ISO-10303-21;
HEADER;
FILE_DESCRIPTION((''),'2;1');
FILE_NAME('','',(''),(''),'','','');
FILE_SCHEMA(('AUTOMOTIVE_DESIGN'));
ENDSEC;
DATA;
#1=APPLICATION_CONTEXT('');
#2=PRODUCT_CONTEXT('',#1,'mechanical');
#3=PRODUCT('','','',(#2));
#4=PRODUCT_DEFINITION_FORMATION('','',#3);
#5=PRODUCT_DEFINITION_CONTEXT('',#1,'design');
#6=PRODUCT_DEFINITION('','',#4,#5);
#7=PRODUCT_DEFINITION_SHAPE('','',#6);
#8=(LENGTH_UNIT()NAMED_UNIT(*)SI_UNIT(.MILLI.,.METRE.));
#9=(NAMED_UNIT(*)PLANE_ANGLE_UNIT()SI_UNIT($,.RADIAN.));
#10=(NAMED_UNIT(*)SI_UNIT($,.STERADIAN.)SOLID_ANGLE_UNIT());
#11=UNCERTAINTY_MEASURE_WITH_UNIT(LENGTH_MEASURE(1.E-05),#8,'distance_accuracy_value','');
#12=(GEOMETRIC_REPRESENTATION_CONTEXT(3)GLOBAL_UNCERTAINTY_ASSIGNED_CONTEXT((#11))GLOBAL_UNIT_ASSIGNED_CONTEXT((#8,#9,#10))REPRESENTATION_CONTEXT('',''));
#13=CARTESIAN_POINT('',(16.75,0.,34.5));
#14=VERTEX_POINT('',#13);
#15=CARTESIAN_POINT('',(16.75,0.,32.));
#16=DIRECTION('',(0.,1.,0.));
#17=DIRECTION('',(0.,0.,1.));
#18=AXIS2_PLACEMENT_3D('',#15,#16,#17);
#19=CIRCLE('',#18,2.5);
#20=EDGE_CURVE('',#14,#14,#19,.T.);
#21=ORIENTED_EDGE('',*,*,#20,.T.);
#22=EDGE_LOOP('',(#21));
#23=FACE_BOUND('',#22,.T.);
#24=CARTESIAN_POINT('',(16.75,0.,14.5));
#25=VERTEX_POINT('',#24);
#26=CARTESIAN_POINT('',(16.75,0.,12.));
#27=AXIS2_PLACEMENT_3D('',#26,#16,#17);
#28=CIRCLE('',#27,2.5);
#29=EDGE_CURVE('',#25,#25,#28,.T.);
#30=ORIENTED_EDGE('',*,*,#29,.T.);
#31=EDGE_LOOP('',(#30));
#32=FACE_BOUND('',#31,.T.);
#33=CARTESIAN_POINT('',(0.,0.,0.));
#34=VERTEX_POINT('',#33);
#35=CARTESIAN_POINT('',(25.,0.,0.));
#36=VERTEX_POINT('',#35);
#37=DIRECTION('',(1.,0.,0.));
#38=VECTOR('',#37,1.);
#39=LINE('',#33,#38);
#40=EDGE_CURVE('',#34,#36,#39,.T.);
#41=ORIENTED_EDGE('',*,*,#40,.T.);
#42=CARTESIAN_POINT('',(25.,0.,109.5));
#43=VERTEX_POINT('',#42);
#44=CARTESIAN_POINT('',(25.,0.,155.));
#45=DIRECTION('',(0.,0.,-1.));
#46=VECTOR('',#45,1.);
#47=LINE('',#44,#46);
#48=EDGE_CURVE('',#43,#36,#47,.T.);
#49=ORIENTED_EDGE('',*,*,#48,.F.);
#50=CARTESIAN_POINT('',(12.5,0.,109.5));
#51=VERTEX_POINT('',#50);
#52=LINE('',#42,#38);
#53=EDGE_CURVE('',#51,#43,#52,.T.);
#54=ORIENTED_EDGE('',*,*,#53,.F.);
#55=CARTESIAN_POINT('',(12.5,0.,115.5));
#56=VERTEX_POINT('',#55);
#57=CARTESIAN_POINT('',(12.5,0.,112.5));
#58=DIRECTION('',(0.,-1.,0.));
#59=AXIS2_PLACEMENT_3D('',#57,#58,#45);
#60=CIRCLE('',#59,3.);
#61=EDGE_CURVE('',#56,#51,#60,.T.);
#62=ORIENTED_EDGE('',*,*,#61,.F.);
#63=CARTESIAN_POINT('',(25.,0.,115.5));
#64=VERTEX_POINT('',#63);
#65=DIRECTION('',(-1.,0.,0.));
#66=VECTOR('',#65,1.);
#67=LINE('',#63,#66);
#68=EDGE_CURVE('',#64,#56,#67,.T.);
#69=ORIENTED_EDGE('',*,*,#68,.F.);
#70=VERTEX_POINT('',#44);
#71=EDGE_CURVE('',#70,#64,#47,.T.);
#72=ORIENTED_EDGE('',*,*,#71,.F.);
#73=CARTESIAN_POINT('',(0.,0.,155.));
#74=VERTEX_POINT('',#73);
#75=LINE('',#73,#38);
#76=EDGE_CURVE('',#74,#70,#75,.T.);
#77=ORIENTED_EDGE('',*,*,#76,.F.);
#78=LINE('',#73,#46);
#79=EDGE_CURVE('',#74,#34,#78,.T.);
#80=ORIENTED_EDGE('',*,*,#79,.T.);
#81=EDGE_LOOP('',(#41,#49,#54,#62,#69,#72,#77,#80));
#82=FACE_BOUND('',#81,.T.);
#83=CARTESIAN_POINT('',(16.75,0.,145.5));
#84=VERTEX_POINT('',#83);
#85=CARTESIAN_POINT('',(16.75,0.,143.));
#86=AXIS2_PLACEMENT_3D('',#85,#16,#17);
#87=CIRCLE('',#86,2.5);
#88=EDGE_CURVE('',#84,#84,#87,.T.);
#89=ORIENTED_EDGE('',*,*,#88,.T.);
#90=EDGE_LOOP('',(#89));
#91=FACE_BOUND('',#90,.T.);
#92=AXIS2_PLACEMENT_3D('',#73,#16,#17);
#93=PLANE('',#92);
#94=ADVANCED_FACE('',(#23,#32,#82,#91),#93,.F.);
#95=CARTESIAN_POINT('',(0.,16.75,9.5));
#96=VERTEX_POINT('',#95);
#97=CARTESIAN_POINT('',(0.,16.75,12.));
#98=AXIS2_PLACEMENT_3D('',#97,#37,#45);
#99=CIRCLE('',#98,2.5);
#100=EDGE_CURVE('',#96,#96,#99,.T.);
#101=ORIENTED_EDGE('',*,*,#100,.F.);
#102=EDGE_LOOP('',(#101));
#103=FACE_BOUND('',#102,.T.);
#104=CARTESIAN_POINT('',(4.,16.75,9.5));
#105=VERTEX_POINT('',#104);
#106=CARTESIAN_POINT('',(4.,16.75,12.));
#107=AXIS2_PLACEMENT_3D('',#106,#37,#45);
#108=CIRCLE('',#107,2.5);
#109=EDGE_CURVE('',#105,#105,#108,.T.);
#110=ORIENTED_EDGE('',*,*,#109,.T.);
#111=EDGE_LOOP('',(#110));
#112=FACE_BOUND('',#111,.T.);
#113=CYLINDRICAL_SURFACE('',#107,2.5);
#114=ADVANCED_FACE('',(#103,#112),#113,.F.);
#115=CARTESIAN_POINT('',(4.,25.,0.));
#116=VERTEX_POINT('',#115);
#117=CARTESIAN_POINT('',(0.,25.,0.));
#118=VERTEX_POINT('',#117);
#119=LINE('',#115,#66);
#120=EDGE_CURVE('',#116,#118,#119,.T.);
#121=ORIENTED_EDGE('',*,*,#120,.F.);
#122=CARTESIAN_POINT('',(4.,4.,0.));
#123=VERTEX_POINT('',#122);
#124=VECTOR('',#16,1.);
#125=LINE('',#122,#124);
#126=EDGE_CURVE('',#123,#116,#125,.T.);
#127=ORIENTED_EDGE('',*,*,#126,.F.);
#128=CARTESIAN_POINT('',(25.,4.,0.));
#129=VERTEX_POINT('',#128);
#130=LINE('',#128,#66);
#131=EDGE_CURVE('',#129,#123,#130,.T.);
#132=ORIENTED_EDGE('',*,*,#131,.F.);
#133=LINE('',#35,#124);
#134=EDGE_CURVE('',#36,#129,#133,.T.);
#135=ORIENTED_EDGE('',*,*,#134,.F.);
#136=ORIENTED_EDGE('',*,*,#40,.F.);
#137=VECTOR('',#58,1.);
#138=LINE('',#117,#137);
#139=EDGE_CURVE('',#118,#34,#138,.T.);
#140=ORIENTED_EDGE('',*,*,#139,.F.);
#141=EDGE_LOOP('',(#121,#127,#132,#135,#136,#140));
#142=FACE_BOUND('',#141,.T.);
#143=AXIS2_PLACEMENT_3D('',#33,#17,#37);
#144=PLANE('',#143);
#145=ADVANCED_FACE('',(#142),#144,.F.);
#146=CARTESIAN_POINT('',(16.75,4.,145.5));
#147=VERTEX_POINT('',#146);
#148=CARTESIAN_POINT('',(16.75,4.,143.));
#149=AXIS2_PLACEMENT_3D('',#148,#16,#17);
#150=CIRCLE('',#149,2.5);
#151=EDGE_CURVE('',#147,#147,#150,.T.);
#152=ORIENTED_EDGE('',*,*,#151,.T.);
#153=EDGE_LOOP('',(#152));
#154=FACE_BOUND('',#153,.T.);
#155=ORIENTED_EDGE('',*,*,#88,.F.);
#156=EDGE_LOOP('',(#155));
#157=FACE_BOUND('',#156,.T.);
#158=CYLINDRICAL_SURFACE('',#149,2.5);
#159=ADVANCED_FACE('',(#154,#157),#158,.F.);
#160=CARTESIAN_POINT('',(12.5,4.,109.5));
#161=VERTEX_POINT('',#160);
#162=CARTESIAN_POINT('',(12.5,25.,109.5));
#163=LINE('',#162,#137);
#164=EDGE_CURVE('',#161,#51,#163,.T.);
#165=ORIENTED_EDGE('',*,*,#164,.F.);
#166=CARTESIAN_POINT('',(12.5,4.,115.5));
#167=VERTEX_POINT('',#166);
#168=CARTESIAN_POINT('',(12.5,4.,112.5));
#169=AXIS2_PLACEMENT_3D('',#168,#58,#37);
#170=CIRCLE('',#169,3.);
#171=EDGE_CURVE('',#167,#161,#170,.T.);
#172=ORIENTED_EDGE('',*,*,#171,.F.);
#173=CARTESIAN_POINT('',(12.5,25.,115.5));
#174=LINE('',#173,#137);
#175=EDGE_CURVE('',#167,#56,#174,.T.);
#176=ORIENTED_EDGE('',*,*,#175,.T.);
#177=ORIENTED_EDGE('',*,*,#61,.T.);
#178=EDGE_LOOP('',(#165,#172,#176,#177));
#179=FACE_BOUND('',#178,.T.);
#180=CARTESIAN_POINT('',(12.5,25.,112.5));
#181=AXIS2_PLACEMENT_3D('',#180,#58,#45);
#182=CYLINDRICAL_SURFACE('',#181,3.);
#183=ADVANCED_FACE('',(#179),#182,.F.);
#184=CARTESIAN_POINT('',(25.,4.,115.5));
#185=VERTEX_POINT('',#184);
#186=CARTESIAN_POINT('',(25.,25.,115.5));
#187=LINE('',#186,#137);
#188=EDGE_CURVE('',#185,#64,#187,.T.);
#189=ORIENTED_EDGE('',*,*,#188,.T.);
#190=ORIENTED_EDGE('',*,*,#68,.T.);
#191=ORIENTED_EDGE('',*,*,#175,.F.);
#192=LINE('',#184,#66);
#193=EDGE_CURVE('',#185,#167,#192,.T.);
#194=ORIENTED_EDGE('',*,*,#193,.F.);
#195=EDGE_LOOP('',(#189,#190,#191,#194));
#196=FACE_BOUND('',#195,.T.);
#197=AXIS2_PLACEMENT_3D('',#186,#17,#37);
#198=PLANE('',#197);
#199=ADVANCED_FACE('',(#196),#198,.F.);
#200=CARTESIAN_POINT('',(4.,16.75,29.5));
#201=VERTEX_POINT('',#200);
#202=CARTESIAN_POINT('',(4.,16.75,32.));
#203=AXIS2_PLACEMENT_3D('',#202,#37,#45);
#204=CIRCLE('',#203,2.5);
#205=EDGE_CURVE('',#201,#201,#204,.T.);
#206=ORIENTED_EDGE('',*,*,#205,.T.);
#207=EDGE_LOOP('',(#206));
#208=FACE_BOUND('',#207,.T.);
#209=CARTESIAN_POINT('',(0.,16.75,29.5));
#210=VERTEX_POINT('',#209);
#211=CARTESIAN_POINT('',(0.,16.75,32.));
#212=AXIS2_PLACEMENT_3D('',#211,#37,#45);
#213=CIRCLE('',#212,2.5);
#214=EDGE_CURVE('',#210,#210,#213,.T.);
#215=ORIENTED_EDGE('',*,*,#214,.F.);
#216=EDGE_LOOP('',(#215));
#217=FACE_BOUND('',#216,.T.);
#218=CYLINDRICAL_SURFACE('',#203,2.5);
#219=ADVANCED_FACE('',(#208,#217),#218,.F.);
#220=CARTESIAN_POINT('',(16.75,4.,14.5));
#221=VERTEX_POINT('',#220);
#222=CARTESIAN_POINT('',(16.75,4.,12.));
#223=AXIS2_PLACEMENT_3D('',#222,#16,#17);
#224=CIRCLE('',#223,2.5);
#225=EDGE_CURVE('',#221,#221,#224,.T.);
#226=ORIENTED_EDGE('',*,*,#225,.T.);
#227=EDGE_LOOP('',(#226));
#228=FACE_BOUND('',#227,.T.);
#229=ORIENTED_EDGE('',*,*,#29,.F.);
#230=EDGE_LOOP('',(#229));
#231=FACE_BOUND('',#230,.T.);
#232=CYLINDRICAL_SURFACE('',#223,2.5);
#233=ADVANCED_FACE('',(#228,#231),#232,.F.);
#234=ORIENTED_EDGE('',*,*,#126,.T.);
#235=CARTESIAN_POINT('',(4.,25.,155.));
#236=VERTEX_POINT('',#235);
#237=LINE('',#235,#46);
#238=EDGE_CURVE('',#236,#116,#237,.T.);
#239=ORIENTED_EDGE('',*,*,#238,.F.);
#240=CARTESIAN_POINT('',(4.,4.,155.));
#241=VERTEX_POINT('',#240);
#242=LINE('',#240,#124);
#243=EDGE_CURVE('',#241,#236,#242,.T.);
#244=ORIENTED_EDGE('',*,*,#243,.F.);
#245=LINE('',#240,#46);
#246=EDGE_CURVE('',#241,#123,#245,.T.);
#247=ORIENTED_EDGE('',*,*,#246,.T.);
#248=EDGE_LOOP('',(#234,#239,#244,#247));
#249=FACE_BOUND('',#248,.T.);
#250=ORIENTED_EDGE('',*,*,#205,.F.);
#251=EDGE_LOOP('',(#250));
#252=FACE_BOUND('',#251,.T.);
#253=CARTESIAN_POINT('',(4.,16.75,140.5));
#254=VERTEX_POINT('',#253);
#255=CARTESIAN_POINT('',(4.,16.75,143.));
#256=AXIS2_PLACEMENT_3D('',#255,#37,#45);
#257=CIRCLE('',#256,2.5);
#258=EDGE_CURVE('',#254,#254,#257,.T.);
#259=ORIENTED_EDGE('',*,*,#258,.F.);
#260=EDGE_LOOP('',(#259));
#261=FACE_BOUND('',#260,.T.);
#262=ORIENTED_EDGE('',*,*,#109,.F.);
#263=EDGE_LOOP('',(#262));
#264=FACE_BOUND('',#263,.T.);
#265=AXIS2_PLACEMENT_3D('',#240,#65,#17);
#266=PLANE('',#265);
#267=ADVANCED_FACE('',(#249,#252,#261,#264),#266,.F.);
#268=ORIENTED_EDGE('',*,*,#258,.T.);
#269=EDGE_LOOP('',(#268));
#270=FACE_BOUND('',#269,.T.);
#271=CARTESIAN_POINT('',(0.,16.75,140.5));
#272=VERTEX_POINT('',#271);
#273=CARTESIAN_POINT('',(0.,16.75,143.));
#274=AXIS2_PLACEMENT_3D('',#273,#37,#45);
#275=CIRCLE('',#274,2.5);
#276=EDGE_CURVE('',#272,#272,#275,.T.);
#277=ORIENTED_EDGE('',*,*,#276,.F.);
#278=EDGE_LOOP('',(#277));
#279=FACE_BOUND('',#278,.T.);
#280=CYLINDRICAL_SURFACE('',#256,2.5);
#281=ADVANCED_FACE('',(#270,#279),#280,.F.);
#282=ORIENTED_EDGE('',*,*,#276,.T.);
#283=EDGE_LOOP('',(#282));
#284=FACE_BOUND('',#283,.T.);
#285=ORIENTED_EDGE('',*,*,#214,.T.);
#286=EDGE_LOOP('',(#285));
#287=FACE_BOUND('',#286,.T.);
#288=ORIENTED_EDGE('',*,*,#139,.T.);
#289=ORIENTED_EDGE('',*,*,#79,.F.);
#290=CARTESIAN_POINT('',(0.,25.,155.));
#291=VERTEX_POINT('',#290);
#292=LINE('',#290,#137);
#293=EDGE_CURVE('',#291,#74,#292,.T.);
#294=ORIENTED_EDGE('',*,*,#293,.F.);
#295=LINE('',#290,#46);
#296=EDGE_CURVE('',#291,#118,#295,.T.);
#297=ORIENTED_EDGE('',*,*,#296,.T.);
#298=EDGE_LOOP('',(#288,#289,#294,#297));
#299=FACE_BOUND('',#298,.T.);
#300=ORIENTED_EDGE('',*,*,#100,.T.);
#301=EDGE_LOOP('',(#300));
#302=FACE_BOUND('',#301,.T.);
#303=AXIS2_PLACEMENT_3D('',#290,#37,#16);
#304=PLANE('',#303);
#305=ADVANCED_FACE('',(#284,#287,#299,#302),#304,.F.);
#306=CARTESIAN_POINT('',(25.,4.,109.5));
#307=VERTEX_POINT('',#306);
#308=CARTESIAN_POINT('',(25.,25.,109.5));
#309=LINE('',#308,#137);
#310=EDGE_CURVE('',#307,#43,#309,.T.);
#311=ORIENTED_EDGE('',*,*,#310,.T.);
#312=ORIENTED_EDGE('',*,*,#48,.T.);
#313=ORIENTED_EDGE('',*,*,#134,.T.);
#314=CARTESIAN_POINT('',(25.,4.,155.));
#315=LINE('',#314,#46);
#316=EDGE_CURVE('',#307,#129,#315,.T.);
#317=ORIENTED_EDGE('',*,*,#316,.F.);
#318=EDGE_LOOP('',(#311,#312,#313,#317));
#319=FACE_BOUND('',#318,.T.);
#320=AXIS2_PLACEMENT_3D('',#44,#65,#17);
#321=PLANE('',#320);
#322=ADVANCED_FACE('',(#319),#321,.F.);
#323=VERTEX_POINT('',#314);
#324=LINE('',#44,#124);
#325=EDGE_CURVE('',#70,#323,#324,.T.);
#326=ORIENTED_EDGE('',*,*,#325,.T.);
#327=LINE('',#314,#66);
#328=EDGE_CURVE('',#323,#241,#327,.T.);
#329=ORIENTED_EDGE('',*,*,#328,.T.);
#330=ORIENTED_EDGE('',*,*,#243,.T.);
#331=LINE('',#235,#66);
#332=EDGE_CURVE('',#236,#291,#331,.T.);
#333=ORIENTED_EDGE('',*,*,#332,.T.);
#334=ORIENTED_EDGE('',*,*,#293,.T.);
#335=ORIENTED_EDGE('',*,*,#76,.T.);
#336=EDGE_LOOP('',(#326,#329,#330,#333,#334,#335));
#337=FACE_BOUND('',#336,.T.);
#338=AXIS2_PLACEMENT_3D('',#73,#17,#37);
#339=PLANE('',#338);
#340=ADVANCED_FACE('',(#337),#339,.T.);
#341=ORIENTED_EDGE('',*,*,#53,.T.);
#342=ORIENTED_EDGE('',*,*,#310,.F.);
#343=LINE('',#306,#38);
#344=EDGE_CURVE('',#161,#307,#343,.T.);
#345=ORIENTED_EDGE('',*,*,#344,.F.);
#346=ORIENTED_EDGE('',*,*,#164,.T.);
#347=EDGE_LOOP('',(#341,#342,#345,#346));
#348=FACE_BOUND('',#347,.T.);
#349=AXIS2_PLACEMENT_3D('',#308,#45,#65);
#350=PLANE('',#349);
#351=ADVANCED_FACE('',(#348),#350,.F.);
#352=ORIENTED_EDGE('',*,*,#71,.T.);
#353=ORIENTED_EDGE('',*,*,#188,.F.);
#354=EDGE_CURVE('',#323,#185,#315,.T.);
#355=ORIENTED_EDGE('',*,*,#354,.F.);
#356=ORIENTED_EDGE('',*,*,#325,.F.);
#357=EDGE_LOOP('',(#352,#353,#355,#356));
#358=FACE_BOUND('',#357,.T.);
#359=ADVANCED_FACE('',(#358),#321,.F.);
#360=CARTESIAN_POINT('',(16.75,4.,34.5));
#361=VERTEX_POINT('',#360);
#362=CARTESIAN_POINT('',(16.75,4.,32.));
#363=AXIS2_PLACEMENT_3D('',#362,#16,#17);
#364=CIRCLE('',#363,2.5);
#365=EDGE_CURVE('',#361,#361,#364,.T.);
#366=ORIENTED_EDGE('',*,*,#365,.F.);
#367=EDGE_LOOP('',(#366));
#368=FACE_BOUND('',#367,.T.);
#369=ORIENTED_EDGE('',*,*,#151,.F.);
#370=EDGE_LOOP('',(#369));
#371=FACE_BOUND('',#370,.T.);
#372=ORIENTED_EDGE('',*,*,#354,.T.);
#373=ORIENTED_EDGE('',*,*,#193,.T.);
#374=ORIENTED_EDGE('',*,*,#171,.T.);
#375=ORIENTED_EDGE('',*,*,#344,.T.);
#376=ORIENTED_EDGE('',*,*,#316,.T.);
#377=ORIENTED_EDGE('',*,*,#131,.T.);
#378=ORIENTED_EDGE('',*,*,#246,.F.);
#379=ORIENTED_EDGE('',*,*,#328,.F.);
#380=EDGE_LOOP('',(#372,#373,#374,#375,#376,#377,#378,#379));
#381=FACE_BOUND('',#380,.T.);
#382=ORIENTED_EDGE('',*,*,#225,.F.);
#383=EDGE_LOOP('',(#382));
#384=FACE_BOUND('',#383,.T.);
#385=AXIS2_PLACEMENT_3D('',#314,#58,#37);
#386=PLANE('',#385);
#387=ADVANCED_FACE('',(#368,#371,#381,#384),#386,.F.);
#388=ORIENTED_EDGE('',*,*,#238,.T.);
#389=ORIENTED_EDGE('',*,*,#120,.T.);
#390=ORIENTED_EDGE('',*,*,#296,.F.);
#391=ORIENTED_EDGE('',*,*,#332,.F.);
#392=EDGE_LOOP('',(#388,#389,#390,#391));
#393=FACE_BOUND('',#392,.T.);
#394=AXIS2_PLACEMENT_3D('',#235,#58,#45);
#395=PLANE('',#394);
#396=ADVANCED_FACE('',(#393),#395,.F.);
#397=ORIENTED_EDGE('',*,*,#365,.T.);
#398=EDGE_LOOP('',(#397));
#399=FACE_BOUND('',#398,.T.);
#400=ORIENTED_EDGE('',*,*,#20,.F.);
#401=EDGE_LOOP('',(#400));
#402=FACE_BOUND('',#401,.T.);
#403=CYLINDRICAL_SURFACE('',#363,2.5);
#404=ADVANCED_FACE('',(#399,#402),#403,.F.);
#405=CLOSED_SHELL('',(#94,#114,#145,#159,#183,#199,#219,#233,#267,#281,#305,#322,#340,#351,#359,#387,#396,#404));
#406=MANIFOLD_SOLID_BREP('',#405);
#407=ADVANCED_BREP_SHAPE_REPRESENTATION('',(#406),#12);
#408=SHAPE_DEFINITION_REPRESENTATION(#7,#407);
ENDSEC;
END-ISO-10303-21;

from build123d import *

# Parameters (mm, degrees)
EXTRUDE_1_DEPTH     = 155
HOLE_WIZARD_M6_1_D  = 5
HOLE_WIZARD_M6_2_D  = 5
CUT_EXTRUDE_1_DEPTH = 159.981130956


with BuildPart() as part:
    # 草图1 → 凸台-拉伸1 (new body)
    with BuildSketch(Plane.XY):
        Polygon((0, 25), (0, 0), (25, 0), (25, 4), (4, 4), (4, 25), align=None)
    extrude(amount=EXTRUDE_1_DEPTH)

    # M6 螺纹孔1 (through all)
    with Locations(Plane(origin=(0, 4, 0), x_dir=(1, 0, 0), z_dir=(0, 1, 0))):
        with Locations((16.75, -12), (16.75, -143), (16.75, -32)):
            Hole(HOLE_WIZARD_M6_1_D / 2)

    # M6 螺纹孔2 (through all)
    with Locations(Plane(origin=(4, 0, 0), x_dir=(0, 0, -1), z_dir=(1, 0, 0))):
        with Locations((-143, 16.75), (-12, 16.75), (-32, 16.75)):
            Hole(HOLE_WIZARD_M6_2_D / 2)

    # 草图6 → 切除-拉伸1 (cut, through all)
    with BuildSketch(Plane.XZ):
        with BuildLine():
            Line((25, 109.5), (12.5, 109.5))
            ThreePointArc((12.5, 109.5), (9.5, 112.5), (12.5, 115.5))
            Line((12.5, 115.5), (25, 115.5))
            ThreePointArc((25, 115.5), (28, 112.5), (25, 109.5))
        make_face()
    extrude(amount=-CUT_EXTRUDE_1_DEPTH, mode=Mode.SUBTRACT)


solid = part.part
